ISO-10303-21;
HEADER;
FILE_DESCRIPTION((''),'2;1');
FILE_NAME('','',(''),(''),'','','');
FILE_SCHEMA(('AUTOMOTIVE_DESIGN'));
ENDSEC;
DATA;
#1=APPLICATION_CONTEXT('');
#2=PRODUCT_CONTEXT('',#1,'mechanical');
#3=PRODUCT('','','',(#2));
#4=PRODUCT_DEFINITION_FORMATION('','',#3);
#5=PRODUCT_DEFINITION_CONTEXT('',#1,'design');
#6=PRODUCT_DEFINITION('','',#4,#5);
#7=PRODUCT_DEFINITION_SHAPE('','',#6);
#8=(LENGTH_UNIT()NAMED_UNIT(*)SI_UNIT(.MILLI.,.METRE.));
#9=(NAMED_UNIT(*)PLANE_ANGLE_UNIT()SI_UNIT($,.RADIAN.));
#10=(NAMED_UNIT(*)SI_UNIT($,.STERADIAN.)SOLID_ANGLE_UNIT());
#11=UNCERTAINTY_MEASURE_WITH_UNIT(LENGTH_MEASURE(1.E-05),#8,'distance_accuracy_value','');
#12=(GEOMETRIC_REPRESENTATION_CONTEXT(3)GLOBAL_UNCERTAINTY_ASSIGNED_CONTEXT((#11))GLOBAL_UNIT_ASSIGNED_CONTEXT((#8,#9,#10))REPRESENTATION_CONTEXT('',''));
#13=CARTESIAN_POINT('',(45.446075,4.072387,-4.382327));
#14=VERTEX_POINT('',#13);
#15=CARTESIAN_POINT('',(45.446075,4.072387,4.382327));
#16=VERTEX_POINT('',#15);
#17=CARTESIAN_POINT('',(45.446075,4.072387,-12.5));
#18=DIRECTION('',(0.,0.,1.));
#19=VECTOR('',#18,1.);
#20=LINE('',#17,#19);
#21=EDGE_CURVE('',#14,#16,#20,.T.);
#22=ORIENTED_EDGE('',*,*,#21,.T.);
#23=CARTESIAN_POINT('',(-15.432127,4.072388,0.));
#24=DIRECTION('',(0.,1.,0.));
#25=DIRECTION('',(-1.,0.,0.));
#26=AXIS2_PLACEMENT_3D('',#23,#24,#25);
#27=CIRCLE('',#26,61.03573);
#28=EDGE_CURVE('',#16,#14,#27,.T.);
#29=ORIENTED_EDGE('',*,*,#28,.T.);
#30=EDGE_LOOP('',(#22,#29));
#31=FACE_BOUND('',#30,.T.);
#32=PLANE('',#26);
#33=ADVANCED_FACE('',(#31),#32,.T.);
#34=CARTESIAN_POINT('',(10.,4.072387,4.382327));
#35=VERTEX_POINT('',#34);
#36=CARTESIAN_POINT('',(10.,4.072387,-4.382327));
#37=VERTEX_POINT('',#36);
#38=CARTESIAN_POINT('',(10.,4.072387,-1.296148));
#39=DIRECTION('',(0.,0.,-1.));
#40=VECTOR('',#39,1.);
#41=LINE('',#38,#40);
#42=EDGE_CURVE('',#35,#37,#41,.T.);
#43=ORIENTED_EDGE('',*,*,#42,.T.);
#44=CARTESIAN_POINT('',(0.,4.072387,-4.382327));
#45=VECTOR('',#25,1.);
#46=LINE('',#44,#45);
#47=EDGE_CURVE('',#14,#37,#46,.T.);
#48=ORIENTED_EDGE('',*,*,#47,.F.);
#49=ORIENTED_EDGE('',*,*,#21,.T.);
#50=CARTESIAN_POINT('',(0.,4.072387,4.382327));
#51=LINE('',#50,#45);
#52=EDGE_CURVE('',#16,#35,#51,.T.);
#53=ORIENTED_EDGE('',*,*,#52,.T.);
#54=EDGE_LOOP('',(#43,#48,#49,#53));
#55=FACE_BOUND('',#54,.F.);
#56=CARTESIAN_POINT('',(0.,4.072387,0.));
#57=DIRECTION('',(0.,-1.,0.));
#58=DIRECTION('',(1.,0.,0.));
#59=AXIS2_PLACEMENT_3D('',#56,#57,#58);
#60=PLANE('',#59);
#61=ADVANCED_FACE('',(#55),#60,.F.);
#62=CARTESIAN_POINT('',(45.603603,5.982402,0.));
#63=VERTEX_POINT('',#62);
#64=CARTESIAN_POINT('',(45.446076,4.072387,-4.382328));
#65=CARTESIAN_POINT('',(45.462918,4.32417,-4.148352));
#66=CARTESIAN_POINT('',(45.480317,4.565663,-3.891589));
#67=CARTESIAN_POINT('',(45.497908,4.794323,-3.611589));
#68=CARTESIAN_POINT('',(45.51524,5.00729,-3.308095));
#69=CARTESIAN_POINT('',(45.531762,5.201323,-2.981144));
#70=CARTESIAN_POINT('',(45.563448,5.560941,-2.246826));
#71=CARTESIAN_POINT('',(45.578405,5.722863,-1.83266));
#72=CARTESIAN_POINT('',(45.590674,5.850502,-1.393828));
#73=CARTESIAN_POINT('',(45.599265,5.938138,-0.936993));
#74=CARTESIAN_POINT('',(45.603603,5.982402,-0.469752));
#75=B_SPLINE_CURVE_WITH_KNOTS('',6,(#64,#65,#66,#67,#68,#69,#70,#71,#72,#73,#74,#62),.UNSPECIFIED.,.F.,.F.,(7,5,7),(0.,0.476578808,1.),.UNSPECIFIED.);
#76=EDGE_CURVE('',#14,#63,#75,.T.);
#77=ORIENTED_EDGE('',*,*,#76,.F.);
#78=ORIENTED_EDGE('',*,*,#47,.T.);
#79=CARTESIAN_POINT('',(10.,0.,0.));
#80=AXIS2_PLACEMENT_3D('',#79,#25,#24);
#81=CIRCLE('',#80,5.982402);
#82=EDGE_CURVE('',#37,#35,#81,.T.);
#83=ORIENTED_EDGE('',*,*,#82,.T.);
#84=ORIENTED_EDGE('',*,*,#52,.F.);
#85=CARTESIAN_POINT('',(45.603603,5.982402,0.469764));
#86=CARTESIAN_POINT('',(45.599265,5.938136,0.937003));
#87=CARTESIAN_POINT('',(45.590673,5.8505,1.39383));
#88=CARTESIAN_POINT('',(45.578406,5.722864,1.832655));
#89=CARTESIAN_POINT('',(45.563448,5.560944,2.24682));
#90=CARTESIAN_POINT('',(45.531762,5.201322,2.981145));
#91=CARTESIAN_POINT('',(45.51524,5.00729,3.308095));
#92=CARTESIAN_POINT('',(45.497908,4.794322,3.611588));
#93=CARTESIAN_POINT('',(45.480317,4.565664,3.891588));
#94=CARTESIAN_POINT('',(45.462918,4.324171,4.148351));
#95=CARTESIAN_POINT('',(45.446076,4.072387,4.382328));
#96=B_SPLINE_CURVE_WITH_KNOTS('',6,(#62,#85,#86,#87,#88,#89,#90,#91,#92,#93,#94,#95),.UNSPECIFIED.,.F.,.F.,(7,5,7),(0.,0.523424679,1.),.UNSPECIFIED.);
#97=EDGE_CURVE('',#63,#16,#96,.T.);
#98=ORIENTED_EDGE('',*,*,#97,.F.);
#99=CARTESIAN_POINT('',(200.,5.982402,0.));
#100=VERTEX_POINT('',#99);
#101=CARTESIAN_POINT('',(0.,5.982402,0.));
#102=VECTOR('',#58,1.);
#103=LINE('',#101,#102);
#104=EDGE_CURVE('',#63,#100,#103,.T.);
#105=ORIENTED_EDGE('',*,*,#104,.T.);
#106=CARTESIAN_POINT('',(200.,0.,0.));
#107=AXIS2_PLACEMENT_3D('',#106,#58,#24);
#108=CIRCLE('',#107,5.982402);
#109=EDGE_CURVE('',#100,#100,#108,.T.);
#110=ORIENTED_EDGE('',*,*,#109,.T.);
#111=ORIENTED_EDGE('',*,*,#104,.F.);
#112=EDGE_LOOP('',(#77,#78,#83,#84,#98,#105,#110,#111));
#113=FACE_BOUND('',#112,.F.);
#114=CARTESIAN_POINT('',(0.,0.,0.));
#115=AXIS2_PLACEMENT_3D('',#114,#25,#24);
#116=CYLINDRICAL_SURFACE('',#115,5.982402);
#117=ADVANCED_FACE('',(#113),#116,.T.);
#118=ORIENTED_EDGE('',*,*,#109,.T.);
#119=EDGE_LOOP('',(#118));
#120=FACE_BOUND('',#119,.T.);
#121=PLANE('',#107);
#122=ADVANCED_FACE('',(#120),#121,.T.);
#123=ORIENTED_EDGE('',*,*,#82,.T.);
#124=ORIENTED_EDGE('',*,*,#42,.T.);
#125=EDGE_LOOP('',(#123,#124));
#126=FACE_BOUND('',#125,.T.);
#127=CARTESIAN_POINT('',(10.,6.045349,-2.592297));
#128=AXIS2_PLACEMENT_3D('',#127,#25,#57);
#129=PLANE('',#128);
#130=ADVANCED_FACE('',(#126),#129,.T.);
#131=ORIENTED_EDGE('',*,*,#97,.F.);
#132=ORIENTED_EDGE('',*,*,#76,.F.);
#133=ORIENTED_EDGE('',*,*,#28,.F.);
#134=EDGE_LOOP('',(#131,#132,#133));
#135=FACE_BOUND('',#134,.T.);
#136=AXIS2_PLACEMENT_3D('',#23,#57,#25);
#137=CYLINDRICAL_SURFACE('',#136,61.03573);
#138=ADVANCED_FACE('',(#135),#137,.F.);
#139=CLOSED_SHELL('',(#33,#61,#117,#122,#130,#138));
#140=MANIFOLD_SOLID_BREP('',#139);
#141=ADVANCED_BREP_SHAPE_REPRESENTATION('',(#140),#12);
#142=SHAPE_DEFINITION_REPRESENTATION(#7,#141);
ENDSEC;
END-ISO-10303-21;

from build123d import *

# Parameters (mm, degrees)
F0_R     = 5.982402
F1_DEPTH = 200
F2_W     = 45.446075
F2_H     = 2.038203
F3_DEPTH = 12.5
F4_R     = 61.03573
F5_DEPTH = 25
F6_W     = 51.913552
F6_H     = 32.489951
F7_DEPTH = 10


with BuildPart() as f1:
    # F0 (on Right) → F1 (new body)
    with BuildSketch(Plane.YZ):
        Circle(F0_R)
    extrude(amount=F1_DEPTH)

    # F2 (on Top) → F3 (cut, symmetric)
    with BuildSketch(Plane.XY):
        with Locations((22.723038, 5.091489)):
            Rectangle(F2_W, F2_H)
    extrude(amount=F3_DEPTH, both=True, mode=Mode.SUBTRACT)

    # F4 (on face) → F5 (cut)
    with BuildSketch(Plane(origin=(0, 4.072388, 0), x_dir=(-1, 0, 0), z_dir=(0, 1, 0))):
        with Locations((15.432127, 0)):
            Circle(F4_R)
    extrude(amount=F5_DEPTH, mode=Mode.SUBTRACT)

    # F6 (on face) → F7 (cut)
    with BuildSketch(Plane(origin=(0, 0, 0), x_dir=(0, -1, 0), z_dir=(-1, 0, 0))):
        with Locations((-6.045349, -2.592297)):
            Rectangle(F6_W, F6_H)
    extrude(amount=-F7_DEPTH, mode=Mode.SUBTRACT)


solid = f1.part
